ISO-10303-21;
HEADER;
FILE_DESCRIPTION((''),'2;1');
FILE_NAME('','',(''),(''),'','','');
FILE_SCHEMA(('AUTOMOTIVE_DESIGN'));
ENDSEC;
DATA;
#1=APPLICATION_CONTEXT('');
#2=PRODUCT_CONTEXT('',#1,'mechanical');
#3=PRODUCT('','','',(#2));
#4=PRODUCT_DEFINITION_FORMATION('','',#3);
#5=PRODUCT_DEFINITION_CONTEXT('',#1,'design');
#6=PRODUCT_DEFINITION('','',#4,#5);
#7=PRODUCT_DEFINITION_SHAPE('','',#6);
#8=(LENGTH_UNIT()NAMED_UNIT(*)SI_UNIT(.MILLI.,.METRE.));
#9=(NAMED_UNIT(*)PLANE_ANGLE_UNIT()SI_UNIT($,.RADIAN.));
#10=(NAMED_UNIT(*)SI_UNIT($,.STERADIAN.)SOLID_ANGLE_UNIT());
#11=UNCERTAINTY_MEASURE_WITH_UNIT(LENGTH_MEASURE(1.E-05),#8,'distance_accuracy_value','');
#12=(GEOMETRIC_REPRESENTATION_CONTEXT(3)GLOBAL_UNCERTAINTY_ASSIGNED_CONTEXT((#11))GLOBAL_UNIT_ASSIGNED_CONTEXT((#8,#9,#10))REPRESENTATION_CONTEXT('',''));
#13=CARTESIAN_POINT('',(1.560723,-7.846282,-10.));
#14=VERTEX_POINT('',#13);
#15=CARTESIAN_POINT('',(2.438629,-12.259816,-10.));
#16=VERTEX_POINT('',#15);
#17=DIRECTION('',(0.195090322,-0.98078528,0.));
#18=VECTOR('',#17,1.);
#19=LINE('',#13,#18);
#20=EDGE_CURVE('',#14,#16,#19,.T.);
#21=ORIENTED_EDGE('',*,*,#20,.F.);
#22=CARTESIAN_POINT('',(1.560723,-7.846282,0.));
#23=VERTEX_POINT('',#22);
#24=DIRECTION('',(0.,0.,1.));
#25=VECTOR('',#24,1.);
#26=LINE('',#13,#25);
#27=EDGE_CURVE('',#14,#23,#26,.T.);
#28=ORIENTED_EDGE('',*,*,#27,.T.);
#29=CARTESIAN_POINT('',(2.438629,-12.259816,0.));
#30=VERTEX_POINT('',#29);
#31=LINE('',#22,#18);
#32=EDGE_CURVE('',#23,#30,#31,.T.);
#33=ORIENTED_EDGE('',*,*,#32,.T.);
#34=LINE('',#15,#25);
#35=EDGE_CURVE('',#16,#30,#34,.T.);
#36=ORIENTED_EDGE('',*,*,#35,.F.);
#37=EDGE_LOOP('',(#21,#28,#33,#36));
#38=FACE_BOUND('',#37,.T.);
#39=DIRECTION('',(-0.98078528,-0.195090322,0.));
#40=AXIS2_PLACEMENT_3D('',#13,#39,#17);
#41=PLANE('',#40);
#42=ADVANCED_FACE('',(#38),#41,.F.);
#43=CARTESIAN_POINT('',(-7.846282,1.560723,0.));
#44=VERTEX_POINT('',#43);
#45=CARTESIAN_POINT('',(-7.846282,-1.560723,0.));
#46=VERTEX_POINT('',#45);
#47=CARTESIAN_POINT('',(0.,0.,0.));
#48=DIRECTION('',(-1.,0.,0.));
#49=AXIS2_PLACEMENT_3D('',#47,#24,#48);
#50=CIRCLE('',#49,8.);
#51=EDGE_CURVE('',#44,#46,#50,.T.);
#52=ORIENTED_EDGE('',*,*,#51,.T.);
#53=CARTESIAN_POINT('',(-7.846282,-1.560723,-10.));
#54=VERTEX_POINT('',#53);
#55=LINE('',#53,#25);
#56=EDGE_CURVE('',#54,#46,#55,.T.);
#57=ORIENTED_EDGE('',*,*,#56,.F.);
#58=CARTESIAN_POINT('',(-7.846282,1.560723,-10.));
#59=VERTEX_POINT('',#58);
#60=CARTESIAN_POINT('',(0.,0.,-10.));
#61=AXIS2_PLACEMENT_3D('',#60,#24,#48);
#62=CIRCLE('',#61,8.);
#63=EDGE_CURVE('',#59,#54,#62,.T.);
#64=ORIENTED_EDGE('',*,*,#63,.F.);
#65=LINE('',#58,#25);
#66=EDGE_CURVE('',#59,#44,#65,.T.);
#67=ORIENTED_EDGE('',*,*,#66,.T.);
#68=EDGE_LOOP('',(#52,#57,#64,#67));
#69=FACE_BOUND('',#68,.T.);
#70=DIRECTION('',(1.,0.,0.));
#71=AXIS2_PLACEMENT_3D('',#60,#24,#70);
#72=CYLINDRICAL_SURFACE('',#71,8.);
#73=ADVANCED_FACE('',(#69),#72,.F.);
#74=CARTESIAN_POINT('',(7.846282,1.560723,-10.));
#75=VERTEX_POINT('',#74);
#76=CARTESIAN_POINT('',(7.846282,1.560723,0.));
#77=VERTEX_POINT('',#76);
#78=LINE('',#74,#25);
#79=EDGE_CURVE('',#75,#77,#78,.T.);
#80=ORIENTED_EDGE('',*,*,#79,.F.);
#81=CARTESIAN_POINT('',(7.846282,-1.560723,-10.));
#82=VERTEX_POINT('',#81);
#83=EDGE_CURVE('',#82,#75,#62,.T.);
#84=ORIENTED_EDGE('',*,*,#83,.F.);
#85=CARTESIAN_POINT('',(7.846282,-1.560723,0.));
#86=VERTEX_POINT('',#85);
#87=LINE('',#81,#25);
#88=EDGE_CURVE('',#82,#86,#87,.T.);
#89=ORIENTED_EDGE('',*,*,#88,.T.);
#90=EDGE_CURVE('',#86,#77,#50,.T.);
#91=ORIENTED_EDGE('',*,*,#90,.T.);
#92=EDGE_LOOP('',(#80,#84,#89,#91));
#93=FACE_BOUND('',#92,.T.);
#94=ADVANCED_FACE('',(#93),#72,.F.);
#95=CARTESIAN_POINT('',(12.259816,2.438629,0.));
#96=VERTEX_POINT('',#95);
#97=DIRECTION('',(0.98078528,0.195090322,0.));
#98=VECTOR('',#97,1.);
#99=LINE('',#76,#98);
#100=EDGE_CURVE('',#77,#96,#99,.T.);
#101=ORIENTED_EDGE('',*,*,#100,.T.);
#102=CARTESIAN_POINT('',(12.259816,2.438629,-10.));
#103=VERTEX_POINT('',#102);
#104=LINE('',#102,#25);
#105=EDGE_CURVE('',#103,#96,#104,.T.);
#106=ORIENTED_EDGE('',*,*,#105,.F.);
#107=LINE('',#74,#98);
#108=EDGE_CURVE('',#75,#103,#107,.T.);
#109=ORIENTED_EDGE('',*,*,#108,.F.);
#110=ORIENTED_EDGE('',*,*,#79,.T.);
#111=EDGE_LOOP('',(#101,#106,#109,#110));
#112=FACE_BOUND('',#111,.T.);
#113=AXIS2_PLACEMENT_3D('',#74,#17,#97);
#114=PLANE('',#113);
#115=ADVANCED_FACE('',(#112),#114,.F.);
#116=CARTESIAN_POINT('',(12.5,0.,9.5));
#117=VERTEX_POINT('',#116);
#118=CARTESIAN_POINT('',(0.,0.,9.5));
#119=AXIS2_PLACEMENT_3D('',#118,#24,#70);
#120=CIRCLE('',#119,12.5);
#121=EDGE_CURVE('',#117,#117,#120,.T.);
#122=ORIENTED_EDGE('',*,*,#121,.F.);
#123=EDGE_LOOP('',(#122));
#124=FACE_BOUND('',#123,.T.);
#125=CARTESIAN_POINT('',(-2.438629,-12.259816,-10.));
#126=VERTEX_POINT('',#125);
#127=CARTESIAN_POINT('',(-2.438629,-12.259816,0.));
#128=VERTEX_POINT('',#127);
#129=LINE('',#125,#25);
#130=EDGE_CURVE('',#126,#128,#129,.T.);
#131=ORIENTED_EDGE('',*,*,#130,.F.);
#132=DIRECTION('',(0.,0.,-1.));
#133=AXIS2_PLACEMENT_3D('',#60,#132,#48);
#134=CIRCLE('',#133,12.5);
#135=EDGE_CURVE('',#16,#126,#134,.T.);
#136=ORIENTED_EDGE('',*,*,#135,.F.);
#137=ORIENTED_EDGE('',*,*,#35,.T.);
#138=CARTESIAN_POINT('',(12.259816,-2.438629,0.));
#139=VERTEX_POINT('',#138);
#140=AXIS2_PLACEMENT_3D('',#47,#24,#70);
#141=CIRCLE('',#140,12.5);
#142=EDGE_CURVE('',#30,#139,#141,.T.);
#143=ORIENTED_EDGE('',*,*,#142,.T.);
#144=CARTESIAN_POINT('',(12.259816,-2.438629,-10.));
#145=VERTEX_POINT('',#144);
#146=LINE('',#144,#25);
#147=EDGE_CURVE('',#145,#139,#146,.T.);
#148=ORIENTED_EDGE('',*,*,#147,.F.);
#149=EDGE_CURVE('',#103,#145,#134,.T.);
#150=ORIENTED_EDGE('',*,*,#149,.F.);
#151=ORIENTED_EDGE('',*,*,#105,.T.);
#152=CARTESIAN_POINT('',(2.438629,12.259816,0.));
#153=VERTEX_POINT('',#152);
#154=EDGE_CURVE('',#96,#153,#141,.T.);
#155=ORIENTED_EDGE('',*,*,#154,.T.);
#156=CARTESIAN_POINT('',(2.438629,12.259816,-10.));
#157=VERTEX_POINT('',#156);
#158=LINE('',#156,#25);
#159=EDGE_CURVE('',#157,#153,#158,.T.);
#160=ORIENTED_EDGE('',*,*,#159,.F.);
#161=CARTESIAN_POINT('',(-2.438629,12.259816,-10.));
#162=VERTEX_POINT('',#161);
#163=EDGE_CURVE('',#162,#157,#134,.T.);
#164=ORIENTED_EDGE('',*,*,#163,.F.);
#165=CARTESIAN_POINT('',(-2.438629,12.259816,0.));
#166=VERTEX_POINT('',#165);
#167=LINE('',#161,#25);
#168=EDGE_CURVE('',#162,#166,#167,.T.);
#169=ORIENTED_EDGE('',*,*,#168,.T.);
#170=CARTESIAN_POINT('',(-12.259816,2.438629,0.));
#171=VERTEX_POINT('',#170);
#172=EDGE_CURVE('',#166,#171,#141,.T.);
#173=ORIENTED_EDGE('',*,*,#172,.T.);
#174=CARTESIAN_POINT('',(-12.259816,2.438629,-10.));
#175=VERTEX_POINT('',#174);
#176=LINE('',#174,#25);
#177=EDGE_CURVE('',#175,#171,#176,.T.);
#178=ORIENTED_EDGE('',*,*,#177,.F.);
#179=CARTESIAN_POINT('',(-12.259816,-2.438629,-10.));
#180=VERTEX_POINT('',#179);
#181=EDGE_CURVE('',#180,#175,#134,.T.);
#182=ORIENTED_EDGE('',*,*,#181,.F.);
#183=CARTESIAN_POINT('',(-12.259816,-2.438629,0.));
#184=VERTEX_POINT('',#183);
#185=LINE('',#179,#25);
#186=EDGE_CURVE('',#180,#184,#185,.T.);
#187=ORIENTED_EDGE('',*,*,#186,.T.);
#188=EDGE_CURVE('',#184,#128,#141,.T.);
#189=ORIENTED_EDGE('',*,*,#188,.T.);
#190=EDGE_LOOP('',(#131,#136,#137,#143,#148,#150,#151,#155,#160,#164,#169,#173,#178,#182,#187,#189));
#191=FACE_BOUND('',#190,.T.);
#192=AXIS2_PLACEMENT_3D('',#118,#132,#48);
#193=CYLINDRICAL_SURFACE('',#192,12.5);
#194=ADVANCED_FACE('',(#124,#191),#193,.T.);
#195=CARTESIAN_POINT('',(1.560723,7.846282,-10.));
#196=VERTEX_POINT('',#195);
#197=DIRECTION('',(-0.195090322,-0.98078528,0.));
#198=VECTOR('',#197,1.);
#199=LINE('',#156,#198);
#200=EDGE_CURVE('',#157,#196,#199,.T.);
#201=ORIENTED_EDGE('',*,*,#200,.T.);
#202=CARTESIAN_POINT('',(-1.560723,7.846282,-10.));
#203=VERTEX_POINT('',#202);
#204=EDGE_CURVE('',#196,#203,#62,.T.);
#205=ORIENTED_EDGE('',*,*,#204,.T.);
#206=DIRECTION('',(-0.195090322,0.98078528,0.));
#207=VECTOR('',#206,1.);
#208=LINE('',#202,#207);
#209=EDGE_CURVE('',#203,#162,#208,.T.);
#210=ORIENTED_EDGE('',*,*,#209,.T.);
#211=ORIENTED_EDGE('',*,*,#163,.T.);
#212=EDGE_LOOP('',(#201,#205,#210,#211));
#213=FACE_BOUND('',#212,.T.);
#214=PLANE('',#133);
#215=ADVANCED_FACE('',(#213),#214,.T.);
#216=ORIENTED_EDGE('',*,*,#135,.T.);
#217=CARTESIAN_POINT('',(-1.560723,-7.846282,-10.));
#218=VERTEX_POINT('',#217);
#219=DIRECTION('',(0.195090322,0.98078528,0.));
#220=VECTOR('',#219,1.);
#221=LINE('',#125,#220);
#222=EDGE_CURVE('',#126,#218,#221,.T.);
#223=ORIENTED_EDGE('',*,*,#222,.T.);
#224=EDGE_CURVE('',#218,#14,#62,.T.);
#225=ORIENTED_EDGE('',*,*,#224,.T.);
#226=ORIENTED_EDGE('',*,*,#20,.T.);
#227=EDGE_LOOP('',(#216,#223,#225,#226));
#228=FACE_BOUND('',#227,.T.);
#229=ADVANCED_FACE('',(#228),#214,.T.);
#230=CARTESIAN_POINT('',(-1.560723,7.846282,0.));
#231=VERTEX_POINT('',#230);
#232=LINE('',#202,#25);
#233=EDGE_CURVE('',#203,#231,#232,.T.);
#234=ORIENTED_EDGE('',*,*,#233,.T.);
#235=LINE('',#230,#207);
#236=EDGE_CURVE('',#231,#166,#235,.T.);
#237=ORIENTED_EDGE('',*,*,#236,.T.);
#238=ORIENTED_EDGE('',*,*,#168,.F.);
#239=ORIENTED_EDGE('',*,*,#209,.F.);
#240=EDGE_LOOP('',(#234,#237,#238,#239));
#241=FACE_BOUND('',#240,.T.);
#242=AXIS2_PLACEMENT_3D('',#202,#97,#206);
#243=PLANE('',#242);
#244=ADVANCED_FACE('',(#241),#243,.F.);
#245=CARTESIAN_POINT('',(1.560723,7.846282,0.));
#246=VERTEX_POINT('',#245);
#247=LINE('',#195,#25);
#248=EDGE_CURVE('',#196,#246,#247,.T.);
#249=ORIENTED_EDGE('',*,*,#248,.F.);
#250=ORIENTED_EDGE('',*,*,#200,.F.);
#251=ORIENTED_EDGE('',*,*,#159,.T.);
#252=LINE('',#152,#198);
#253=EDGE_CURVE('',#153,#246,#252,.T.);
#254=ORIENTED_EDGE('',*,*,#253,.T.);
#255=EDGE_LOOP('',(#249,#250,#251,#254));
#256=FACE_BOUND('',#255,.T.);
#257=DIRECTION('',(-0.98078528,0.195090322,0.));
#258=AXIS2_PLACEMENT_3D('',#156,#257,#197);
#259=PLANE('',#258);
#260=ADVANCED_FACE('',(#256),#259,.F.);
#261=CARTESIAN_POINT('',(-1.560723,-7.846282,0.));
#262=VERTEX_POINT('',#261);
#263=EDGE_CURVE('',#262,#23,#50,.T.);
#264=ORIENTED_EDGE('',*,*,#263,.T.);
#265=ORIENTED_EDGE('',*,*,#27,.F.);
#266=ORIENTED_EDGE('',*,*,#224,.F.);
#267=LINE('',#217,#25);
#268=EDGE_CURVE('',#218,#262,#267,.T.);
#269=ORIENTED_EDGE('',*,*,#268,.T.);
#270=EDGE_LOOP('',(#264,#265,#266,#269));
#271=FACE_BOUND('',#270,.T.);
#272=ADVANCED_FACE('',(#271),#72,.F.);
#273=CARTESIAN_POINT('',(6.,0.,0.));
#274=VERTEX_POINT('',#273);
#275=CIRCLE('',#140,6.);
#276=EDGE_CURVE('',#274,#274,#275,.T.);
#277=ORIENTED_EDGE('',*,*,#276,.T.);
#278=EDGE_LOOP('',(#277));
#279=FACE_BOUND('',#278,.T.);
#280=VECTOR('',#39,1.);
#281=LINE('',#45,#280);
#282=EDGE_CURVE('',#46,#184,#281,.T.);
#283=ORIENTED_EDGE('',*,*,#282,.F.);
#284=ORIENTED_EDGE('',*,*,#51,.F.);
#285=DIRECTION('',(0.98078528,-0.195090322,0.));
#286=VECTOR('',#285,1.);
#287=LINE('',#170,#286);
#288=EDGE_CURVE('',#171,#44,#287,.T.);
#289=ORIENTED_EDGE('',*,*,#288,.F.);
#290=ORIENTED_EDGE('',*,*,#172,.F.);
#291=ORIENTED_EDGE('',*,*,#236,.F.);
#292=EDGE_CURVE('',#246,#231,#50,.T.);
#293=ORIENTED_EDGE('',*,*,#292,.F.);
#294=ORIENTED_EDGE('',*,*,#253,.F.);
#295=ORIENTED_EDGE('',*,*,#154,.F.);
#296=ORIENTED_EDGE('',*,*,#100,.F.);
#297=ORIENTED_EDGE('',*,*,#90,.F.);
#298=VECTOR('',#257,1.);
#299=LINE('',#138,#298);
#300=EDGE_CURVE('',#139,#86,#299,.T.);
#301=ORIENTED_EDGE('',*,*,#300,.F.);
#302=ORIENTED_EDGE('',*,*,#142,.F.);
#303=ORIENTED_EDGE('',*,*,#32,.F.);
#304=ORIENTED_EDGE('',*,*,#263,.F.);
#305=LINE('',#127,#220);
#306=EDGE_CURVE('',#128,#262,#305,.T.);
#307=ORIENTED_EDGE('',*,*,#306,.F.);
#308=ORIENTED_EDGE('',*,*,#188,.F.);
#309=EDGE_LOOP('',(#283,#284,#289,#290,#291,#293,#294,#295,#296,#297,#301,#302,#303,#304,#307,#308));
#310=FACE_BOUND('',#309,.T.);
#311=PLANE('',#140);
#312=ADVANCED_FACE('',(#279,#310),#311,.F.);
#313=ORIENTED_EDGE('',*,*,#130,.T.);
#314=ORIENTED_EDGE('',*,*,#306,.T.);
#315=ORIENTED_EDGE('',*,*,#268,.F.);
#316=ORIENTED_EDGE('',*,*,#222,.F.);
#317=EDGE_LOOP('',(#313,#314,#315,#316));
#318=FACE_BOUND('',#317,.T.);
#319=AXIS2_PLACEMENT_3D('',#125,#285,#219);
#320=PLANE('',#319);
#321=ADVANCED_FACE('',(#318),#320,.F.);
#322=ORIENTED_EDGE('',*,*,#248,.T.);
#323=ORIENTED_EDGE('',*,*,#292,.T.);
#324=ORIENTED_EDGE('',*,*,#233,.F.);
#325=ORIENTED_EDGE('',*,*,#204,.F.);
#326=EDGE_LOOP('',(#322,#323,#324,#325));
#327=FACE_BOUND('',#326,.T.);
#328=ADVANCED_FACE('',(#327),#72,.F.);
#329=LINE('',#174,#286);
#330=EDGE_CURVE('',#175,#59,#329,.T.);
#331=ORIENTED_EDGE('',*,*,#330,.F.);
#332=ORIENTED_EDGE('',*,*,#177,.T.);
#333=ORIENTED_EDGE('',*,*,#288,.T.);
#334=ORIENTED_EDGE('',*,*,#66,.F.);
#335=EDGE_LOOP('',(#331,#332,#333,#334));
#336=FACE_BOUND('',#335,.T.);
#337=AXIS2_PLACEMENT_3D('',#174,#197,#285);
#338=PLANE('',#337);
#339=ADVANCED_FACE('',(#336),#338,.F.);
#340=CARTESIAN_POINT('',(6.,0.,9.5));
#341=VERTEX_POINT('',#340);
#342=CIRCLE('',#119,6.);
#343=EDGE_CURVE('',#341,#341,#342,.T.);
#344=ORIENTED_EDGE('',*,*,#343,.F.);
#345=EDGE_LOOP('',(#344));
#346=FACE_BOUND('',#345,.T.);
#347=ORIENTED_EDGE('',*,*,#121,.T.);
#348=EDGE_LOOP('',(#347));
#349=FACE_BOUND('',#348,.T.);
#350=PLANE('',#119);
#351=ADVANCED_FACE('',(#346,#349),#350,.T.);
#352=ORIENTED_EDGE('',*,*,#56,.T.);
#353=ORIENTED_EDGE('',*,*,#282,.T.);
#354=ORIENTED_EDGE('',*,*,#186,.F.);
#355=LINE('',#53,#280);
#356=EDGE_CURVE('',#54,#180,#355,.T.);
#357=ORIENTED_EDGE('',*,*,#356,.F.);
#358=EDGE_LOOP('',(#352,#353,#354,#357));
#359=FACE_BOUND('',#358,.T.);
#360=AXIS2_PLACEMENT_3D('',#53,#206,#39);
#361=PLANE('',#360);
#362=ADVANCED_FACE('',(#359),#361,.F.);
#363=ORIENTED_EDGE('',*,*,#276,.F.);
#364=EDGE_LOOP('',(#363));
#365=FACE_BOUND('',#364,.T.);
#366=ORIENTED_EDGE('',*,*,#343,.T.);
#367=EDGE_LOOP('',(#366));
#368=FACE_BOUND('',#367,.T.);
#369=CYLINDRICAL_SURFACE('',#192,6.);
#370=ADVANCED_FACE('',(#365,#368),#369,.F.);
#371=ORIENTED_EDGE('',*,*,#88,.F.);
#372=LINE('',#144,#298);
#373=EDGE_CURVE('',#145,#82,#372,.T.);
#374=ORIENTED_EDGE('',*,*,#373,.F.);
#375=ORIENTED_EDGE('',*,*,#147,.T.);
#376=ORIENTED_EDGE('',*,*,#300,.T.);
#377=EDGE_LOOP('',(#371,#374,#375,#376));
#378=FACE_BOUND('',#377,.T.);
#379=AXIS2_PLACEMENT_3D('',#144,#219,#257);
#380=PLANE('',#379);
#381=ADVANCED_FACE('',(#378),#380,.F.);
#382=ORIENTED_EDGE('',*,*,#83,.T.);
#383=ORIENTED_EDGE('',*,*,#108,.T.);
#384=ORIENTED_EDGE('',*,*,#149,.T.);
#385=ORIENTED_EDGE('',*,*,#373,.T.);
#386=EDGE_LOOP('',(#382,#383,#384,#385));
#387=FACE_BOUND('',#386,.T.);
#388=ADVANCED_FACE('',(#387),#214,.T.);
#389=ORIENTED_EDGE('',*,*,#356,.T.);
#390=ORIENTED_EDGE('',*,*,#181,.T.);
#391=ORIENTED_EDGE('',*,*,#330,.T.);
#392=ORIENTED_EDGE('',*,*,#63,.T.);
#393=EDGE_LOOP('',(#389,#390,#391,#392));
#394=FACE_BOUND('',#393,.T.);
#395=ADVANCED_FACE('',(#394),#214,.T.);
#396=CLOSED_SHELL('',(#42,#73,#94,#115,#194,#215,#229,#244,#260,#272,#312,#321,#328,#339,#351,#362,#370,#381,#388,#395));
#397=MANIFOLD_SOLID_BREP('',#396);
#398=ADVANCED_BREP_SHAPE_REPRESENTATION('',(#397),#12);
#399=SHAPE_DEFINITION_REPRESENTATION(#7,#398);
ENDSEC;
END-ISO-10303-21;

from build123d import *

# Parameters (mm, degrees)
SKETCH_1_R      = 12.5
SKETCH_1_R_2    = 6
EXTRUDE_1_DEPTH = 9.5
EXTRUDE_2_DEPTH = 10


with BuildPart() as part:
    # 草图1 → 凸台-拉伸1 (new body)
    with BuildSketch(Plane.XY):
        Circle(SKETCH_1_R)
        Circle(SKETCH_1_R_2, mode=Mode.SUBTRACT)
    extrude(amount=EXTRUDE_1_DEPTH)

    # 草图2 → 凸台-拉伸2 (add)
    with BuildSketch(Plane(origin=(0, 0, 0), x_dir=(-1, 0, 0), z_dir=(0, 0, -1))):
        with BuildLine():
            Line((7.846282243, -1.560722576), (12.259816005, -2.438629025))
            ThreePointArc((12.259816005, -2.438629025), (12.5, 0), (12.259816005, 2.438629025))
            Line((12.259816005, 2.438629025), (7.846282243, 1.560722576))
            ThreePointArc((7.846282243, 1.560722576), (8, 0), (7.846282243, -1.560722576))
        make_face()
        with BuildLine():
            Line((1.560722576, 7.846282243), (2.438629025, 12.259816005))
            ThreePointArc((2.438629025, 12.259816005), (0, 12.5), (-2.438629025, 12.259816005))
            Line((-2.438629025, 12.259816005), (-1.560722576, 7.846282243))
            ThreePointArc((-1.560722576, 7.846282243), (0, 8), (1.560722576, 7.846282243))
        make_face()
        with BuildLine():
            Line((-1.560722576, -7.846282243), (-2.438629025, -12.259816005))
            ThreePointArc((-2.438629025, -12.259816005), (0, -12.5), (2.438629025, -12.259816005))
            Line((2.438629025, -12.259816005), (1.560722576, -7.846282243))
            ThreePointArc((1.560722576, -7.846282243), (0, -8), (-1.560722576, -7.846282243))
        make_face()
        with BuildLine():
            Line((-7.846282243, 1.560722576), (-12.259816005, 2.438629025))
            ThreePointArc((-12.259816005, 2.438629025), (-12.5, 0), (-12.259816005, -2.438629025))
            Line((-12.259816005, -2.438629025), (-7.846282243, -1.560722576))
            ThreePointArc((-7.846282243, -1.560722576), (-8, 0), (-7.846282243, 1.560722576))
        make_face()
    extrude(amount=EXTRUDE_2_DEPTH)


solid = part.part
